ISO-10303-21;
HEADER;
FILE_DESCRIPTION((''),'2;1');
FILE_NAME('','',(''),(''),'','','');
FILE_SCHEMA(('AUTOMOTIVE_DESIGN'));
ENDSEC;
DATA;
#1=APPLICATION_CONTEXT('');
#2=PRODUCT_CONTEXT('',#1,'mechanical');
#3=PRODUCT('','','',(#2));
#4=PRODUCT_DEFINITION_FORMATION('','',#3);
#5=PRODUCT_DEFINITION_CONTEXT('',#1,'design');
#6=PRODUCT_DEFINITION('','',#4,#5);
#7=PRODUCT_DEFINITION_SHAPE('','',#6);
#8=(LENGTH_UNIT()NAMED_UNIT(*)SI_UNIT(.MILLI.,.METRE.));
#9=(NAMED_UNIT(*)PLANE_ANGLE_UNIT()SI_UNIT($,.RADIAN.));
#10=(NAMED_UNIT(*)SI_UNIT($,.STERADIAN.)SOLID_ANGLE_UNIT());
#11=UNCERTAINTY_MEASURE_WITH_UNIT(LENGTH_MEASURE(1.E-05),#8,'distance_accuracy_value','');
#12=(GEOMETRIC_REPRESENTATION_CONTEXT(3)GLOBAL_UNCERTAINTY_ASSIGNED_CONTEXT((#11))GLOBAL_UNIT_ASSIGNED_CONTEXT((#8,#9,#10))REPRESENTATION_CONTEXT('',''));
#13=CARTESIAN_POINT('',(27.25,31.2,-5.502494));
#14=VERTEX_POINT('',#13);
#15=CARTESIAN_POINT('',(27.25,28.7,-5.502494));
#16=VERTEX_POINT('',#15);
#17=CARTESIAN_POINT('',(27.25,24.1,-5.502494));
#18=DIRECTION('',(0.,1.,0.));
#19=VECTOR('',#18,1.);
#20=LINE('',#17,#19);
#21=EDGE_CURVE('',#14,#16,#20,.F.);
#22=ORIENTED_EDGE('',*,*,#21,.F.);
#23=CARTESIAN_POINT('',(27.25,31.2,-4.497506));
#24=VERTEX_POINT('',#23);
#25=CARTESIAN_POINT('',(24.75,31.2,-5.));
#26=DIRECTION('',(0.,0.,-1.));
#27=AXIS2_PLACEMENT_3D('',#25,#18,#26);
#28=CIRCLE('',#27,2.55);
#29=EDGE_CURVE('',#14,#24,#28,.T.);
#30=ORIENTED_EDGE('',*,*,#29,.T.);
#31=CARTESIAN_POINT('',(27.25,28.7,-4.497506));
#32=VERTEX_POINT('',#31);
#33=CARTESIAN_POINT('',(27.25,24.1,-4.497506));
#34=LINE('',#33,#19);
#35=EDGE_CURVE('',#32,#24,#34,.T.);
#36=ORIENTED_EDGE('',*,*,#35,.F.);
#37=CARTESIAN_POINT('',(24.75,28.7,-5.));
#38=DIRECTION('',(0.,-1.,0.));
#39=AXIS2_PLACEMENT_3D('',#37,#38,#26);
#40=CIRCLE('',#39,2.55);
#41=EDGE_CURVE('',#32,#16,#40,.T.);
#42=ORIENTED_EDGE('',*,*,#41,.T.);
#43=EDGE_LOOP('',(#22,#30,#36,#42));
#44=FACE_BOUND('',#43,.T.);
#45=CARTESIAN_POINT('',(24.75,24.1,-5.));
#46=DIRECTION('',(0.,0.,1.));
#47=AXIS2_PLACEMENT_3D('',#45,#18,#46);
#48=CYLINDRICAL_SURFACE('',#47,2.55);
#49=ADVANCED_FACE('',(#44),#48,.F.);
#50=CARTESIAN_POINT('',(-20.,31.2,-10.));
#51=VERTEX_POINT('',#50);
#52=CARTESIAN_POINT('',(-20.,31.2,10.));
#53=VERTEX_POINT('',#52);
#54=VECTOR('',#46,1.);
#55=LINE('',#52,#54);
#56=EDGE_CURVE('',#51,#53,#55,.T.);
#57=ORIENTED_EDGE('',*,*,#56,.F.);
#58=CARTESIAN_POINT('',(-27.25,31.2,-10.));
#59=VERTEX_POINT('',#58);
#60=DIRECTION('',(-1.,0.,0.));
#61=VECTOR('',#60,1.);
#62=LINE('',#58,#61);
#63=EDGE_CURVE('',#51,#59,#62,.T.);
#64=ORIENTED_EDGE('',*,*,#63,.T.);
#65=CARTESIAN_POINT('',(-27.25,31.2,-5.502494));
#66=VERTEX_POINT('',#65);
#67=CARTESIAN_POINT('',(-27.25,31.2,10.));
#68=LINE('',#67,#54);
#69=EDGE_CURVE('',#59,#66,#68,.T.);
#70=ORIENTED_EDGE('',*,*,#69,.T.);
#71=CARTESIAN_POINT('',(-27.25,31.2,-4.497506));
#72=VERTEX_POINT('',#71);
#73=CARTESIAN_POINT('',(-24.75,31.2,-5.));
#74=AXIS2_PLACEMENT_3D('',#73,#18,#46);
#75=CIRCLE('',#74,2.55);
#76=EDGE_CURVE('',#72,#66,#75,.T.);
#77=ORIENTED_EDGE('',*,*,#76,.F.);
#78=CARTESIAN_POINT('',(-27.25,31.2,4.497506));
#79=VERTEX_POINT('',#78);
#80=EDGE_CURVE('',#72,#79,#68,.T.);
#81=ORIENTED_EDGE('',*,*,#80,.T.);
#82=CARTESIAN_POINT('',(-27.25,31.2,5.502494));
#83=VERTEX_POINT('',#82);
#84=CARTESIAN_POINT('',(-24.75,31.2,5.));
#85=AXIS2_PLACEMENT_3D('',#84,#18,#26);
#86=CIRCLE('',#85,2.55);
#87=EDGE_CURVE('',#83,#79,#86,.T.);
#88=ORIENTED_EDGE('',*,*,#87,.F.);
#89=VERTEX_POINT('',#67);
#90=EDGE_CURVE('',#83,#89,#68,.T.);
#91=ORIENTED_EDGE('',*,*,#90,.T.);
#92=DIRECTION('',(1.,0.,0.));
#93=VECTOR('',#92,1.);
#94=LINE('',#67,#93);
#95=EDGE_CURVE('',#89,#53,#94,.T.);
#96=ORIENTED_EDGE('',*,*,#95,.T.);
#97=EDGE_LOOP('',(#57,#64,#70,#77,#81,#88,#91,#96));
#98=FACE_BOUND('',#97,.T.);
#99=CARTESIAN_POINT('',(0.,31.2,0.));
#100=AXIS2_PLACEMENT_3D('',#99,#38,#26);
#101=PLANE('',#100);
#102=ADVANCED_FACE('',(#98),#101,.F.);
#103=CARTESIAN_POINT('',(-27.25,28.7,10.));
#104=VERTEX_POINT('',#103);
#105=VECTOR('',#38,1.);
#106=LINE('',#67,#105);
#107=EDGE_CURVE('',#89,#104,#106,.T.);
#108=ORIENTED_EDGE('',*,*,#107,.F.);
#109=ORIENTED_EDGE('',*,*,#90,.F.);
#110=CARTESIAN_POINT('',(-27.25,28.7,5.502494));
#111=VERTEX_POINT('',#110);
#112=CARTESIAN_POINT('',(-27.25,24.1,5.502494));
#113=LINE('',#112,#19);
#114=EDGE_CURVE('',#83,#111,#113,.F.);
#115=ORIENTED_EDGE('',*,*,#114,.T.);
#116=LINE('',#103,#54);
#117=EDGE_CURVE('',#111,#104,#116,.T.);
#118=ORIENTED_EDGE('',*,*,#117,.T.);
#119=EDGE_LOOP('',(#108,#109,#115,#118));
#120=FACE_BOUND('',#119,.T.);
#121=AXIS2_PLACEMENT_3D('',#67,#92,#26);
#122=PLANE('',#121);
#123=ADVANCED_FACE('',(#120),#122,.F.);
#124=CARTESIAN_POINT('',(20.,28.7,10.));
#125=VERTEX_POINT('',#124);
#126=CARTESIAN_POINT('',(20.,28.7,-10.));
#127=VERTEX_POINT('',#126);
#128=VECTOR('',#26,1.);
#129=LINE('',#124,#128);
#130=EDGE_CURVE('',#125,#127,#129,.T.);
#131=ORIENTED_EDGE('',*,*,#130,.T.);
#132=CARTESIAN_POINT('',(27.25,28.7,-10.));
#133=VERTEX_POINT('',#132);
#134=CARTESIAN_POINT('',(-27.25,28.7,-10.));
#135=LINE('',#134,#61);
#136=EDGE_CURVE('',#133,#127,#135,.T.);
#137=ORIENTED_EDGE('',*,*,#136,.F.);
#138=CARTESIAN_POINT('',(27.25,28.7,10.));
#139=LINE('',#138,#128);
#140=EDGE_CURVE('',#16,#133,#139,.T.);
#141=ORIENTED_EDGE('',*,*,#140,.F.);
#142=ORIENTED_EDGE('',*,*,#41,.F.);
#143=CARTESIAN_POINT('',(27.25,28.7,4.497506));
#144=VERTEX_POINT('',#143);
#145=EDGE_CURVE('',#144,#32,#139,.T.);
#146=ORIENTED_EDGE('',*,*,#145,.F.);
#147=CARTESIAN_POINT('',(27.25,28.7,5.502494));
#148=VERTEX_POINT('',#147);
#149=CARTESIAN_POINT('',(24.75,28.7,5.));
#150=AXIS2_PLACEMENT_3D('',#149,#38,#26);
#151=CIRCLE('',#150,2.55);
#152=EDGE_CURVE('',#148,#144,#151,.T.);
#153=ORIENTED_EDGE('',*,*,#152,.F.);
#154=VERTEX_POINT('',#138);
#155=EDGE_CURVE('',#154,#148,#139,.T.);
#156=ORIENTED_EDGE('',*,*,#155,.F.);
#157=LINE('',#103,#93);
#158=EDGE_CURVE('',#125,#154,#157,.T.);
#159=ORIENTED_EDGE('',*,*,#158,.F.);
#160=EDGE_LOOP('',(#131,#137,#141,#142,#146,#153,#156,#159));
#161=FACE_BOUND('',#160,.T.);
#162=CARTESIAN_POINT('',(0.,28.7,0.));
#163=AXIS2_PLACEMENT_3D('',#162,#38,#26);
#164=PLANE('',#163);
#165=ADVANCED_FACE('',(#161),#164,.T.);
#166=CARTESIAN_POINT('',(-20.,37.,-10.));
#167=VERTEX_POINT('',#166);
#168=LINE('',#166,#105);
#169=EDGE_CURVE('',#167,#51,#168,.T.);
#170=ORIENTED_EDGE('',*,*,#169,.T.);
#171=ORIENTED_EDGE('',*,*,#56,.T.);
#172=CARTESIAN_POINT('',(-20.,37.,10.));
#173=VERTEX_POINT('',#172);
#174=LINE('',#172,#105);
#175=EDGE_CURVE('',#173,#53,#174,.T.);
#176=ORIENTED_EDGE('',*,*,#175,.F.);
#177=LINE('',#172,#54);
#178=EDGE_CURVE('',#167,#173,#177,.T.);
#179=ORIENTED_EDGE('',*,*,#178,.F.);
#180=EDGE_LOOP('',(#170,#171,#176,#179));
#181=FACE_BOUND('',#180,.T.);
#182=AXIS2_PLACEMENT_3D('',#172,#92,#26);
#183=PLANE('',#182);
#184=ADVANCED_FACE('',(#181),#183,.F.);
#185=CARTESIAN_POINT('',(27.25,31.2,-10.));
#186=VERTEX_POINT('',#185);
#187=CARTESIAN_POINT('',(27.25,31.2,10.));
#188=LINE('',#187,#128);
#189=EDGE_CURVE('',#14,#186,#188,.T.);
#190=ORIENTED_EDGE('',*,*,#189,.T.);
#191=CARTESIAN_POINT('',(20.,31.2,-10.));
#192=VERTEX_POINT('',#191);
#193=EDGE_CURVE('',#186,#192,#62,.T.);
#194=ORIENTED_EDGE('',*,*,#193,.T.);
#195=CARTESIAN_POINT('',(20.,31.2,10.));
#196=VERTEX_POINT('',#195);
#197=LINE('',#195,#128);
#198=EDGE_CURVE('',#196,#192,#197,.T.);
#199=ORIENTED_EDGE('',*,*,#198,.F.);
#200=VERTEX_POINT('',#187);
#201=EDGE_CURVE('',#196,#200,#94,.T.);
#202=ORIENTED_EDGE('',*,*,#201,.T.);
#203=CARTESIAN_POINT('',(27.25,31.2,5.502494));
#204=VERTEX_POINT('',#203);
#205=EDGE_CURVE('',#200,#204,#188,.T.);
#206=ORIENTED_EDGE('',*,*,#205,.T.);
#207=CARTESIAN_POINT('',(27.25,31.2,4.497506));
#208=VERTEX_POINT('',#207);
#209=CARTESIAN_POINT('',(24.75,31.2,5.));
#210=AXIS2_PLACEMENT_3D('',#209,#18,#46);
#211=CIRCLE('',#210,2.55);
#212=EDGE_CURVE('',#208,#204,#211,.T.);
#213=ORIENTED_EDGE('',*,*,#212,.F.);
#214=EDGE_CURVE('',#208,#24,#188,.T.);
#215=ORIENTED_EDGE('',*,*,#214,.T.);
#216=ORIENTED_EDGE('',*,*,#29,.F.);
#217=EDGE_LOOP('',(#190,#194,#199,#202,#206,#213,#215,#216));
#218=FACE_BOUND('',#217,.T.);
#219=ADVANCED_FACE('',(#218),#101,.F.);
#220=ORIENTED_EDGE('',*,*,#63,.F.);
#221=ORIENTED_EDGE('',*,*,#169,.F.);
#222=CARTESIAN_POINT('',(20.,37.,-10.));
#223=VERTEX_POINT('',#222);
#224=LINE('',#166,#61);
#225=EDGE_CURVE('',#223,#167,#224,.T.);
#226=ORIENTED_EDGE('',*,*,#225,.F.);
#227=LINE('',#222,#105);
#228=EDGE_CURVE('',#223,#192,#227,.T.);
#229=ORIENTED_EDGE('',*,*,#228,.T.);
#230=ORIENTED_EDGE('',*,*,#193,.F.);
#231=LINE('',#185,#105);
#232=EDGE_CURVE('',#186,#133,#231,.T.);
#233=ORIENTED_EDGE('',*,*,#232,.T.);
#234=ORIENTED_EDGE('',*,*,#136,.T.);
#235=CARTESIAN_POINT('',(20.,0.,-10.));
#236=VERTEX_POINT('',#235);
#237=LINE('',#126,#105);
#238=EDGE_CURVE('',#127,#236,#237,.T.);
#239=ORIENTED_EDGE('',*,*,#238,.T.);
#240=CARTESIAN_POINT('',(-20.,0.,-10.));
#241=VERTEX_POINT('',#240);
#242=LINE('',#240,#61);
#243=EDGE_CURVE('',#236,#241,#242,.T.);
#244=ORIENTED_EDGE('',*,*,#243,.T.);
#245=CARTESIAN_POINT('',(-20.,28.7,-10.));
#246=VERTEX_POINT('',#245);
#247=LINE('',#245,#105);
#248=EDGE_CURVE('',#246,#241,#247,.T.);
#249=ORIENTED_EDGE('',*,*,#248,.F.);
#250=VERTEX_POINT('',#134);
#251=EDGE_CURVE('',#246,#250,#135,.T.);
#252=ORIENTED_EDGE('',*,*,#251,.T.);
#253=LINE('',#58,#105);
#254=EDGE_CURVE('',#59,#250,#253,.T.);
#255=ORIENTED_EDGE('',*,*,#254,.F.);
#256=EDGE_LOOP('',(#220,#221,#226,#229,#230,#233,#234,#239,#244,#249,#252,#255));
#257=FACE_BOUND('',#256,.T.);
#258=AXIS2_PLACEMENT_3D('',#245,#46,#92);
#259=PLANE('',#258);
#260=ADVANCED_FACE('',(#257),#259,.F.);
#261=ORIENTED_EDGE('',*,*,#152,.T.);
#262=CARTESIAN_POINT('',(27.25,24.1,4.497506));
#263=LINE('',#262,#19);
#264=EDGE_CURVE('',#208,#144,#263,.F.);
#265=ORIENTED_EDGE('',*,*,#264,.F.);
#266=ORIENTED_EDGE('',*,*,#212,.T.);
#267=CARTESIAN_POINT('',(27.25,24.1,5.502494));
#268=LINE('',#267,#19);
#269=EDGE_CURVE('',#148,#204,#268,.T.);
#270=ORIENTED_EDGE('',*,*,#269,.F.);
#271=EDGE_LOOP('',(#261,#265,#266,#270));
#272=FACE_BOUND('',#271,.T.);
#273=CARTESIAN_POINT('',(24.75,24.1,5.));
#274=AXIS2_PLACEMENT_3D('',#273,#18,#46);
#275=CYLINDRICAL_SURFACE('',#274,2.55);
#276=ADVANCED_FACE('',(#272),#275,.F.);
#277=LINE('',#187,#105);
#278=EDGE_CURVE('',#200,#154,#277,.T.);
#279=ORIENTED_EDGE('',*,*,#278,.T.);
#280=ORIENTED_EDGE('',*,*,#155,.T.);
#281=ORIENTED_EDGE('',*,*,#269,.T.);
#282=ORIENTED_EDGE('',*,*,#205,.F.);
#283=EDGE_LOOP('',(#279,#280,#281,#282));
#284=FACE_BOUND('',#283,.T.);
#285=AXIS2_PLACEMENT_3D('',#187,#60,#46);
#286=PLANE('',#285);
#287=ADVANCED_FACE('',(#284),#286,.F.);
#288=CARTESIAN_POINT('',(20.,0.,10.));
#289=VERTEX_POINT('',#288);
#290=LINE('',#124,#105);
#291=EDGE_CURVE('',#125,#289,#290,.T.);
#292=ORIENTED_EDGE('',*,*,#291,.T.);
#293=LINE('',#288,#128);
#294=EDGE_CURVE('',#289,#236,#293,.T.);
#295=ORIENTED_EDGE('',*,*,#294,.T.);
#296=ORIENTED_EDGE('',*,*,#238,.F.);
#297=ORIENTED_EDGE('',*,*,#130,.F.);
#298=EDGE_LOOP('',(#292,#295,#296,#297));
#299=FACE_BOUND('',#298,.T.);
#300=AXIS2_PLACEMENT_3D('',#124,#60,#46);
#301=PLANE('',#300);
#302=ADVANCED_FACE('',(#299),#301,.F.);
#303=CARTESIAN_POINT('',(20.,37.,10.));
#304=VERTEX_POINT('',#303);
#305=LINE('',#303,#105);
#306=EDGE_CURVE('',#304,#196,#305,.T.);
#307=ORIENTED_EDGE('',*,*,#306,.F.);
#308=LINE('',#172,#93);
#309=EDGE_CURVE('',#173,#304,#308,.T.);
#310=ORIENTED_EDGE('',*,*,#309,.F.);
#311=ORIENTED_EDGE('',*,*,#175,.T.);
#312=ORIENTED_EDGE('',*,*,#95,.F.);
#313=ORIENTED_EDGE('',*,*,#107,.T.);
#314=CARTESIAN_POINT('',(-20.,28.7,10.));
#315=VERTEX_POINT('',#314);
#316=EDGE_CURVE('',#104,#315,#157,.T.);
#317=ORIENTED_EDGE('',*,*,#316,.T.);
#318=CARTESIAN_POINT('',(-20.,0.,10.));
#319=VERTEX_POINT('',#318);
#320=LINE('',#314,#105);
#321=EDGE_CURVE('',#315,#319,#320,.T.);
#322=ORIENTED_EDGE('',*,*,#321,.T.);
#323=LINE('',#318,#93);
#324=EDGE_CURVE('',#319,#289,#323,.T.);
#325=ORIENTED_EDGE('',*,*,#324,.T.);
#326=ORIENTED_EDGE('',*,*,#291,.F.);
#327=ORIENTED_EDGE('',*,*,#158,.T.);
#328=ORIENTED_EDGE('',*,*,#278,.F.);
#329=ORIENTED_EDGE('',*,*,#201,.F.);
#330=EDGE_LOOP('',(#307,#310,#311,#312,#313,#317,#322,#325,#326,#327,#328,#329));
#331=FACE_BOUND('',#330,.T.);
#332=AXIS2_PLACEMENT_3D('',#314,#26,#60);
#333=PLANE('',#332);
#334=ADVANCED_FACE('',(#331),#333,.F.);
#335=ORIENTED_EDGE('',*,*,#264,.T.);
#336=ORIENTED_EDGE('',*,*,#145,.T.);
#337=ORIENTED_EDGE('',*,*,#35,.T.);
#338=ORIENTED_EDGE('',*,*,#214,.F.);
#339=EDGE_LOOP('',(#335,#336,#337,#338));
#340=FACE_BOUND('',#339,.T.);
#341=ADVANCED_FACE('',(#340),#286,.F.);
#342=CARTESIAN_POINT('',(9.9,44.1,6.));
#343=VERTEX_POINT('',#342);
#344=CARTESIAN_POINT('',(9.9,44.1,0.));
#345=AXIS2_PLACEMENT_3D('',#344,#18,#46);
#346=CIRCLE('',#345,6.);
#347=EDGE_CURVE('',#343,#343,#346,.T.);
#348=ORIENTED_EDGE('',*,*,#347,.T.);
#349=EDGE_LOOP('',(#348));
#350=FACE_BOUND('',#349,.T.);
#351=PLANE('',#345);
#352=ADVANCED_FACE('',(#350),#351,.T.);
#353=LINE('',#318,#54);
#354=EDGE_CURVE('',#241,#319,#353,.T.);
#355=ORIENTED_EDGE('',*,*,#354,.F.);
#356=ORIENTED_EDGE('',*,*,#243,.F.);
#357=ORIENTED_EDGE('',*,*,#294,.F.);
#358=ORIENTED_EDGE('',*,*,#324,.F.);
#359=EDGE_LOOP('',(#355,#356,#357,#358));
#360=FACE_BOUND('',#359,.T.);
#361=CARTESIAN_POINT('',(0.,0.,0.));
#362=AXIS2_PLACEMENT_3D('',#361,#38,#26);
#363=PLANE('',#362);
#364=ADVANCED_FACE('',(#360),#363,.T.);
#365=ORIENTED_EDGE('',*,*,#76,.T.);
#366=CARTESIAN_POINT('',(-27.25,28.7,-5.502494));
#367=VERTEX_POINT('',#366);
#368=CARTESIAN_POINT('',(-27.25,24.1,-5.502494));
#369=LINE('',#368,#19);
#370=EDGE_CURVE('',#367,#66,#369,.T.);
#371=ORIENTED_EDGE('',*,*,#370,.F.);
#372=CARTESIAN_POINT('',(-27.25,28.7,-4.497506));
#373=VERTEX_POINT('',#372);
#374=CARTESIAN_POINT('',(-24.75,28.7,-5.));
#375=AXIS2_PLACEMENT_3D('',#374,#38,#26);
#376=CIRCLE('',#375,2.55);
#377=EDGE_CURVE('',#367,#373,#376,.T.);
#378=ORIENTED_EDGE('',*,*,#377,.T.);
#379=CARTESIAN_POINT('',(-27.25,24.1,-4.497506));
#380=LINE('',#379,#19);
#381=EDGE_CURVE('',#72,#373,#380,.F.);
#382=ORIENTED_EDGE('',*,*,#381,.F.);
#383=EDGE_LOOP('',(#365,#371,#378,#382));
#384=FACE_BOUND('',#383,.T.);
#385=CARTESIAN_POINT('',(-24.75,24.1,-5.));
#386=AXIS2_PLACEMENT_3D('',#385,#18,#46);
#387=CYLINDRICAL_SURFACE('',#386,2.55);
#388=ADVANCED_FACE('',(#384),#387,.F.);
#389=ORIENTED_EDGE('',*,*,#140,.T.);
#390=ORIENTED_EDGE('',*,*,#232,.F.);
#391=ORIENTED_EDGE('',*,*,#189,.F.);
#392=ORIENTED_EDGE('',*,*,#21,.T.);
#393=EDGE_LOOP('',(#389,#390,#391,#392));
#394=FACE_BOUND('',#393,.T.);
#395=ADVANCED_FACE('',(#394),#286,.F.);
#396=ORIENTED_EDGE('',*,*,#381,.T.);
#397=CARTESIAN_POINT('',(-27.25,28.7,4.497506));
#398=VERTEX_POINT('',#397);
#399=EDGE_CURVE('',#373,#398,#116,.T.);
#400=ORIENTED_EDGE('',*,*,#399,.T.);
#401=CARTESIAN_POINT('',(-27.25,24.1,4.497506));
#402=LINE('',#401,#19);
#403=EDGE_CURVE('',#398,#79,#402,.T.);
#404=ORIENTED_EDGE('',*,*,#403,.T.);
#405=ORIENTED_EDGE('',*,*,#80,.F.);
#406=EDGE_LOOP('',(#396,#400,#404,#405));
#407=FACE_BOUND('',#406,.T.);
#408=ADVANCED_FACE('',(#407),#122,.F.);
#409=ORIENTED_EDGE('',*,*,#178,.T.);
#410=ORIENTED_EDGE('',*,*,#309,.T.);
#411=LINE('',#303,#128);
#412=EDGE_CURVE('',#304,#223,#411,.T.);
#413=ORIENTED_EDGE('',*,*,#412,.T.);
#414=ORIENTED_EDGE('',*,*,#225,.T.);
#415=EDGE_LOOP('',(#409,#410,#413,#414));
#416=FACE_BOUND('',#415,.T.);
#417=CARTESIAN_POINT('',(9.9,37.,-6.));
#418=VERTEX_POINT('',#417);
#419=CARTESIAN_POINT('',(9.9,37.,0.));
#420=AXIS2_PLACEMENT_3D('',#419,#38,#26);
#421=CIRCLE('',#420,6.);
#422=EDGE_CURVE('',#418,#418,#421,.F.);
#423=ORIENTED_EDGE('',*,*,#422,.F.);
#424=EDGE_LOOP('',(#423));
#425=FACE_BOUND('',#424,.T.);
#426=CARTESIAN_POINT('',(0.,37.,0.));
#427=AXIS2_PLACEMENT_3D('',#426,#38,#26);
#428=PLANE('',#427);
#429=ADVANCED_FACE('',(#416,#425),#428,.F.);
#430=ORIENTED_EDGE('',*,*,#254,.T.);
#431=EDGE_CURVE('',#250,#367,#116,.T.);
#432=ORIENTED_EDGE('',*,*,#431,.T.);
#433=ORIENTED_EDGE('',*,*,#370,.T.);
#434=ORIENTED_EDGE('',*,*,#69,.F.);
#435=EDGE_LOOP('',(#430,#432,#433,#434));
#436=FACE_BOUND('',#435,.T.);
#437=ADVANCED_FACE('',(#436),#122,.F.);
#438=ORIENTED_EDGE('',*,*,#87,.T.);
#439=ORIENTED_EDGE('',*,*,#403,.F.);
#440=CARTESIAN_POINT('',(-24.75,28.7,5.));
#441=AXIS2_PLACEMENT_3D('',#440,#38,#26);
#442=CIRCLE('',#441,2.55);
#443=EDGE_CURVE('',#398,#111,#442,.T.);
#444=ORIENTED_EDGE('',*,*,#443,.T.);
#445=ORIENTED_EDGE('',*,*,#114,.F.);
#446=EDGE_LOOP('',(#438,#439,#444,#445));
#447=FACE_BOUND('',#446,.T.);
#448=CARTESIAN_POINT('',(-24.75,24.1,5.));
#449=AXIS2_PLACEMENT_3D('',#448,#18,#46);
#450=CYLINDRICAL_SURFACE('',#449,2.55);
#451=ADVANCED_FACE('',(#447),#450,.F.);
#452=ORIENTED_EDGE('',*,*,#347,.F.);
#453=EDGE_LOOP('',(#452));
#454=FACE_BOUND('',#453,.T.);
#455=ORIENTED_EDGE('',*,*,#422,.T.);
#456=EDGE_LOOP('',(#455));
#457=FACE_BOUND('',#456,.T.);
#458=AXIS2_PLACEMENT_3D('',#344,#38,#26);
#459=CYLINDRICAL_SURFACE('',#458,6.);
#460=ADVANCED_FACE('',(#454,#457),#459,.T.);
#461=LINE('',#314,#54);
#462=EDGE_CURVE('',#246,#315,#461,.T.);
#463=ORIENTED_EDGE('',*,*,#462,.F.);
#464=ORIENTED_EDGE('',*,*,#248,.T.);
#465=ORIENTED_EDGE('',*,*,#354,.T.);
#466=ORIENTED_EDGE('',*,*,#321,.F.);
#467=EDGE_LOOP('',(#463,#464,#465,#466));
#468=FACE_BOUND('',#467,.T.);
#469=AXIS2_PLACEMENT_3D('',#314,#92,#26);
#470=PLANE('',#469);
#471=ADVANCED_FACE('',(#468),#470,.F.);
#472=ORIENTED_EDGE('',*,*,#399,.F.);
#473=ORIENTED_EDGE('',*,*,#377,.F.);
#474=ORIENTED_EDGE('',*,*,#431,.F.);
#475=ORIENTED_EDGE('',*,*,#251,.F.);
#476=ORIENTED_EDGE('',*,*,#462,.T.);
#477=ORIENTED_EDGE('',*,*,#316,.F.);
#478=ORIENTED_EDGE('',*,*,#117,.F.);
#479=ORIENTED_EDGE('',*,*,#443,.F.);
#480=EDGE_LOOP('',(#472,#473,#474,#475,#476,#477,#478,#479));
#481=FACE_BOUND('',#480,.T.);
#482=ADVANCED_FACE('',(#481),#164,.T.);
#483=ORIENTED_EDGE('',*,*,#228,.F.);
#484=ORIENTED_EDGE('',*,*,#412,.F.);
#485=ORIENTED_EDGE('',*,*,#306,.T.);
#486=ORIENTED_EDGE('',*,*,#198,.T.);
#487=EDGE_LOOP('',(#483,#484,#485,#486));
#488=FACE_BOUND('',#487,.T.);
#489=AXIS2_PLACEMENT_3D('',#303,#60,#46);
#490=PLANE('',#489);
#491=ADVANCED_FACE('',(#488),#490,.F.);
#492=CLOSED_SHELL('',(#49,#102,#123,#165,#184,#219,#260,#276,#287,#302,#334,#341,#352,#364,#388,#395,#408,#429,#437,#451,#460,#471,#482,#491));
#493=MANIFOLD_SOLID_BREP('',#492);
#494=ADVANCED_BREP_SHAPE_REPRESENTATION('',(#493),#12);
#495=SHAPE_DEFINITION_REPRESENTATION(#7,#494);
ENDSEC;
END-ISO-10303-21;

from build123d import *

# Parameters (mm, degrees)
SKETCH1_W           = 40
SKETCH1_H           = 20
BOSS_EXTRUDE1_DEPTH = 28.7
SKETCH2_W           = 54.5
SKETCH2_H           = 20
BOSS_EXTRUDE2_DEPTH = 2.5
SKETCH3_W           = 40
SKETCH3_H           = 20
BOSS_EXTRUDE3_DEPTH = 5.8
SKETCH4_R           = 6
BOSS_EXTRUDE4_DEPTH = 7.1
SKETCH5_R           = 2.55
CUT_EXTRUDE3_DEPTH  = 7.1


with BuildPart() as part:
    # Sketch1 → Boss-Extrude1 (new body)
    with BuildSketch(Plane(origin=(0, 0, 0), x_dir=(1, 0, 0), z_dir=(0, 1, 0))):
        Rectangle(SKETCH1_W, SKETCH1_H)
    extrude(amount=BOSS_EXTRUDE1_DEPTH)

    # Sketch2 → Boss-Extrude2 (add)
    with BuildSketch(Plane(origin=(0, 28.7, 0), x_dir=(1, 0, 0), z_dir=(0, 1, 0))):
        Rectangle(SKETCH2_W, SKETCH2_H)
    extrude(amount=BOSS_EXTRUDE2_DEPTH)

    # Sketch3 → Boss-Extrude3 (add)
    with BuildSketch(Plane(origin=(0, 31.2, 0), x_dir=(1, 0, 0), z_dir=(0, 1, 0))):
        Rectangle(SKETCH3_W, SKETCH3_H)
    extrude(amount=BOSS_EXTRUDE3_DEPTH)

    # Sketch4 → Boss-Extrude4 (add)
    with BuildSketch(Plane(origin=(0, 37, 0), x_dir=(1, 0, 0), z_dir=(0, 1, 0))):
        with Locations((9.9, 0)):
            Circle(SKETCH4_R)
    extrude(amount=BOSS_EXTRUDE4_DEPTH)

    # Sketch5 → Cut-Extrude3 (cut)
    with BuildSketch(Plane(origin=(0, 31.2, 0), x_dir=(1, 0, 0), z_dir=(0, 1, 0))):
        with Locations((-24.75, 5)):
            Circle(SKETCH5_R)
        with Locations((-24.75, -5)):
            Circle(SKETCH5_R)
        with Locations((24.75, -5)):
            Circle(SKETCH5_R)
        with Locations((24.75, 5)):
            Circle(SKETCH5_R)
    extrude(amount=-CUT_EXTRUDE3_DEPTH, mode=Mode.SUBTRACT)


solid = part.part
